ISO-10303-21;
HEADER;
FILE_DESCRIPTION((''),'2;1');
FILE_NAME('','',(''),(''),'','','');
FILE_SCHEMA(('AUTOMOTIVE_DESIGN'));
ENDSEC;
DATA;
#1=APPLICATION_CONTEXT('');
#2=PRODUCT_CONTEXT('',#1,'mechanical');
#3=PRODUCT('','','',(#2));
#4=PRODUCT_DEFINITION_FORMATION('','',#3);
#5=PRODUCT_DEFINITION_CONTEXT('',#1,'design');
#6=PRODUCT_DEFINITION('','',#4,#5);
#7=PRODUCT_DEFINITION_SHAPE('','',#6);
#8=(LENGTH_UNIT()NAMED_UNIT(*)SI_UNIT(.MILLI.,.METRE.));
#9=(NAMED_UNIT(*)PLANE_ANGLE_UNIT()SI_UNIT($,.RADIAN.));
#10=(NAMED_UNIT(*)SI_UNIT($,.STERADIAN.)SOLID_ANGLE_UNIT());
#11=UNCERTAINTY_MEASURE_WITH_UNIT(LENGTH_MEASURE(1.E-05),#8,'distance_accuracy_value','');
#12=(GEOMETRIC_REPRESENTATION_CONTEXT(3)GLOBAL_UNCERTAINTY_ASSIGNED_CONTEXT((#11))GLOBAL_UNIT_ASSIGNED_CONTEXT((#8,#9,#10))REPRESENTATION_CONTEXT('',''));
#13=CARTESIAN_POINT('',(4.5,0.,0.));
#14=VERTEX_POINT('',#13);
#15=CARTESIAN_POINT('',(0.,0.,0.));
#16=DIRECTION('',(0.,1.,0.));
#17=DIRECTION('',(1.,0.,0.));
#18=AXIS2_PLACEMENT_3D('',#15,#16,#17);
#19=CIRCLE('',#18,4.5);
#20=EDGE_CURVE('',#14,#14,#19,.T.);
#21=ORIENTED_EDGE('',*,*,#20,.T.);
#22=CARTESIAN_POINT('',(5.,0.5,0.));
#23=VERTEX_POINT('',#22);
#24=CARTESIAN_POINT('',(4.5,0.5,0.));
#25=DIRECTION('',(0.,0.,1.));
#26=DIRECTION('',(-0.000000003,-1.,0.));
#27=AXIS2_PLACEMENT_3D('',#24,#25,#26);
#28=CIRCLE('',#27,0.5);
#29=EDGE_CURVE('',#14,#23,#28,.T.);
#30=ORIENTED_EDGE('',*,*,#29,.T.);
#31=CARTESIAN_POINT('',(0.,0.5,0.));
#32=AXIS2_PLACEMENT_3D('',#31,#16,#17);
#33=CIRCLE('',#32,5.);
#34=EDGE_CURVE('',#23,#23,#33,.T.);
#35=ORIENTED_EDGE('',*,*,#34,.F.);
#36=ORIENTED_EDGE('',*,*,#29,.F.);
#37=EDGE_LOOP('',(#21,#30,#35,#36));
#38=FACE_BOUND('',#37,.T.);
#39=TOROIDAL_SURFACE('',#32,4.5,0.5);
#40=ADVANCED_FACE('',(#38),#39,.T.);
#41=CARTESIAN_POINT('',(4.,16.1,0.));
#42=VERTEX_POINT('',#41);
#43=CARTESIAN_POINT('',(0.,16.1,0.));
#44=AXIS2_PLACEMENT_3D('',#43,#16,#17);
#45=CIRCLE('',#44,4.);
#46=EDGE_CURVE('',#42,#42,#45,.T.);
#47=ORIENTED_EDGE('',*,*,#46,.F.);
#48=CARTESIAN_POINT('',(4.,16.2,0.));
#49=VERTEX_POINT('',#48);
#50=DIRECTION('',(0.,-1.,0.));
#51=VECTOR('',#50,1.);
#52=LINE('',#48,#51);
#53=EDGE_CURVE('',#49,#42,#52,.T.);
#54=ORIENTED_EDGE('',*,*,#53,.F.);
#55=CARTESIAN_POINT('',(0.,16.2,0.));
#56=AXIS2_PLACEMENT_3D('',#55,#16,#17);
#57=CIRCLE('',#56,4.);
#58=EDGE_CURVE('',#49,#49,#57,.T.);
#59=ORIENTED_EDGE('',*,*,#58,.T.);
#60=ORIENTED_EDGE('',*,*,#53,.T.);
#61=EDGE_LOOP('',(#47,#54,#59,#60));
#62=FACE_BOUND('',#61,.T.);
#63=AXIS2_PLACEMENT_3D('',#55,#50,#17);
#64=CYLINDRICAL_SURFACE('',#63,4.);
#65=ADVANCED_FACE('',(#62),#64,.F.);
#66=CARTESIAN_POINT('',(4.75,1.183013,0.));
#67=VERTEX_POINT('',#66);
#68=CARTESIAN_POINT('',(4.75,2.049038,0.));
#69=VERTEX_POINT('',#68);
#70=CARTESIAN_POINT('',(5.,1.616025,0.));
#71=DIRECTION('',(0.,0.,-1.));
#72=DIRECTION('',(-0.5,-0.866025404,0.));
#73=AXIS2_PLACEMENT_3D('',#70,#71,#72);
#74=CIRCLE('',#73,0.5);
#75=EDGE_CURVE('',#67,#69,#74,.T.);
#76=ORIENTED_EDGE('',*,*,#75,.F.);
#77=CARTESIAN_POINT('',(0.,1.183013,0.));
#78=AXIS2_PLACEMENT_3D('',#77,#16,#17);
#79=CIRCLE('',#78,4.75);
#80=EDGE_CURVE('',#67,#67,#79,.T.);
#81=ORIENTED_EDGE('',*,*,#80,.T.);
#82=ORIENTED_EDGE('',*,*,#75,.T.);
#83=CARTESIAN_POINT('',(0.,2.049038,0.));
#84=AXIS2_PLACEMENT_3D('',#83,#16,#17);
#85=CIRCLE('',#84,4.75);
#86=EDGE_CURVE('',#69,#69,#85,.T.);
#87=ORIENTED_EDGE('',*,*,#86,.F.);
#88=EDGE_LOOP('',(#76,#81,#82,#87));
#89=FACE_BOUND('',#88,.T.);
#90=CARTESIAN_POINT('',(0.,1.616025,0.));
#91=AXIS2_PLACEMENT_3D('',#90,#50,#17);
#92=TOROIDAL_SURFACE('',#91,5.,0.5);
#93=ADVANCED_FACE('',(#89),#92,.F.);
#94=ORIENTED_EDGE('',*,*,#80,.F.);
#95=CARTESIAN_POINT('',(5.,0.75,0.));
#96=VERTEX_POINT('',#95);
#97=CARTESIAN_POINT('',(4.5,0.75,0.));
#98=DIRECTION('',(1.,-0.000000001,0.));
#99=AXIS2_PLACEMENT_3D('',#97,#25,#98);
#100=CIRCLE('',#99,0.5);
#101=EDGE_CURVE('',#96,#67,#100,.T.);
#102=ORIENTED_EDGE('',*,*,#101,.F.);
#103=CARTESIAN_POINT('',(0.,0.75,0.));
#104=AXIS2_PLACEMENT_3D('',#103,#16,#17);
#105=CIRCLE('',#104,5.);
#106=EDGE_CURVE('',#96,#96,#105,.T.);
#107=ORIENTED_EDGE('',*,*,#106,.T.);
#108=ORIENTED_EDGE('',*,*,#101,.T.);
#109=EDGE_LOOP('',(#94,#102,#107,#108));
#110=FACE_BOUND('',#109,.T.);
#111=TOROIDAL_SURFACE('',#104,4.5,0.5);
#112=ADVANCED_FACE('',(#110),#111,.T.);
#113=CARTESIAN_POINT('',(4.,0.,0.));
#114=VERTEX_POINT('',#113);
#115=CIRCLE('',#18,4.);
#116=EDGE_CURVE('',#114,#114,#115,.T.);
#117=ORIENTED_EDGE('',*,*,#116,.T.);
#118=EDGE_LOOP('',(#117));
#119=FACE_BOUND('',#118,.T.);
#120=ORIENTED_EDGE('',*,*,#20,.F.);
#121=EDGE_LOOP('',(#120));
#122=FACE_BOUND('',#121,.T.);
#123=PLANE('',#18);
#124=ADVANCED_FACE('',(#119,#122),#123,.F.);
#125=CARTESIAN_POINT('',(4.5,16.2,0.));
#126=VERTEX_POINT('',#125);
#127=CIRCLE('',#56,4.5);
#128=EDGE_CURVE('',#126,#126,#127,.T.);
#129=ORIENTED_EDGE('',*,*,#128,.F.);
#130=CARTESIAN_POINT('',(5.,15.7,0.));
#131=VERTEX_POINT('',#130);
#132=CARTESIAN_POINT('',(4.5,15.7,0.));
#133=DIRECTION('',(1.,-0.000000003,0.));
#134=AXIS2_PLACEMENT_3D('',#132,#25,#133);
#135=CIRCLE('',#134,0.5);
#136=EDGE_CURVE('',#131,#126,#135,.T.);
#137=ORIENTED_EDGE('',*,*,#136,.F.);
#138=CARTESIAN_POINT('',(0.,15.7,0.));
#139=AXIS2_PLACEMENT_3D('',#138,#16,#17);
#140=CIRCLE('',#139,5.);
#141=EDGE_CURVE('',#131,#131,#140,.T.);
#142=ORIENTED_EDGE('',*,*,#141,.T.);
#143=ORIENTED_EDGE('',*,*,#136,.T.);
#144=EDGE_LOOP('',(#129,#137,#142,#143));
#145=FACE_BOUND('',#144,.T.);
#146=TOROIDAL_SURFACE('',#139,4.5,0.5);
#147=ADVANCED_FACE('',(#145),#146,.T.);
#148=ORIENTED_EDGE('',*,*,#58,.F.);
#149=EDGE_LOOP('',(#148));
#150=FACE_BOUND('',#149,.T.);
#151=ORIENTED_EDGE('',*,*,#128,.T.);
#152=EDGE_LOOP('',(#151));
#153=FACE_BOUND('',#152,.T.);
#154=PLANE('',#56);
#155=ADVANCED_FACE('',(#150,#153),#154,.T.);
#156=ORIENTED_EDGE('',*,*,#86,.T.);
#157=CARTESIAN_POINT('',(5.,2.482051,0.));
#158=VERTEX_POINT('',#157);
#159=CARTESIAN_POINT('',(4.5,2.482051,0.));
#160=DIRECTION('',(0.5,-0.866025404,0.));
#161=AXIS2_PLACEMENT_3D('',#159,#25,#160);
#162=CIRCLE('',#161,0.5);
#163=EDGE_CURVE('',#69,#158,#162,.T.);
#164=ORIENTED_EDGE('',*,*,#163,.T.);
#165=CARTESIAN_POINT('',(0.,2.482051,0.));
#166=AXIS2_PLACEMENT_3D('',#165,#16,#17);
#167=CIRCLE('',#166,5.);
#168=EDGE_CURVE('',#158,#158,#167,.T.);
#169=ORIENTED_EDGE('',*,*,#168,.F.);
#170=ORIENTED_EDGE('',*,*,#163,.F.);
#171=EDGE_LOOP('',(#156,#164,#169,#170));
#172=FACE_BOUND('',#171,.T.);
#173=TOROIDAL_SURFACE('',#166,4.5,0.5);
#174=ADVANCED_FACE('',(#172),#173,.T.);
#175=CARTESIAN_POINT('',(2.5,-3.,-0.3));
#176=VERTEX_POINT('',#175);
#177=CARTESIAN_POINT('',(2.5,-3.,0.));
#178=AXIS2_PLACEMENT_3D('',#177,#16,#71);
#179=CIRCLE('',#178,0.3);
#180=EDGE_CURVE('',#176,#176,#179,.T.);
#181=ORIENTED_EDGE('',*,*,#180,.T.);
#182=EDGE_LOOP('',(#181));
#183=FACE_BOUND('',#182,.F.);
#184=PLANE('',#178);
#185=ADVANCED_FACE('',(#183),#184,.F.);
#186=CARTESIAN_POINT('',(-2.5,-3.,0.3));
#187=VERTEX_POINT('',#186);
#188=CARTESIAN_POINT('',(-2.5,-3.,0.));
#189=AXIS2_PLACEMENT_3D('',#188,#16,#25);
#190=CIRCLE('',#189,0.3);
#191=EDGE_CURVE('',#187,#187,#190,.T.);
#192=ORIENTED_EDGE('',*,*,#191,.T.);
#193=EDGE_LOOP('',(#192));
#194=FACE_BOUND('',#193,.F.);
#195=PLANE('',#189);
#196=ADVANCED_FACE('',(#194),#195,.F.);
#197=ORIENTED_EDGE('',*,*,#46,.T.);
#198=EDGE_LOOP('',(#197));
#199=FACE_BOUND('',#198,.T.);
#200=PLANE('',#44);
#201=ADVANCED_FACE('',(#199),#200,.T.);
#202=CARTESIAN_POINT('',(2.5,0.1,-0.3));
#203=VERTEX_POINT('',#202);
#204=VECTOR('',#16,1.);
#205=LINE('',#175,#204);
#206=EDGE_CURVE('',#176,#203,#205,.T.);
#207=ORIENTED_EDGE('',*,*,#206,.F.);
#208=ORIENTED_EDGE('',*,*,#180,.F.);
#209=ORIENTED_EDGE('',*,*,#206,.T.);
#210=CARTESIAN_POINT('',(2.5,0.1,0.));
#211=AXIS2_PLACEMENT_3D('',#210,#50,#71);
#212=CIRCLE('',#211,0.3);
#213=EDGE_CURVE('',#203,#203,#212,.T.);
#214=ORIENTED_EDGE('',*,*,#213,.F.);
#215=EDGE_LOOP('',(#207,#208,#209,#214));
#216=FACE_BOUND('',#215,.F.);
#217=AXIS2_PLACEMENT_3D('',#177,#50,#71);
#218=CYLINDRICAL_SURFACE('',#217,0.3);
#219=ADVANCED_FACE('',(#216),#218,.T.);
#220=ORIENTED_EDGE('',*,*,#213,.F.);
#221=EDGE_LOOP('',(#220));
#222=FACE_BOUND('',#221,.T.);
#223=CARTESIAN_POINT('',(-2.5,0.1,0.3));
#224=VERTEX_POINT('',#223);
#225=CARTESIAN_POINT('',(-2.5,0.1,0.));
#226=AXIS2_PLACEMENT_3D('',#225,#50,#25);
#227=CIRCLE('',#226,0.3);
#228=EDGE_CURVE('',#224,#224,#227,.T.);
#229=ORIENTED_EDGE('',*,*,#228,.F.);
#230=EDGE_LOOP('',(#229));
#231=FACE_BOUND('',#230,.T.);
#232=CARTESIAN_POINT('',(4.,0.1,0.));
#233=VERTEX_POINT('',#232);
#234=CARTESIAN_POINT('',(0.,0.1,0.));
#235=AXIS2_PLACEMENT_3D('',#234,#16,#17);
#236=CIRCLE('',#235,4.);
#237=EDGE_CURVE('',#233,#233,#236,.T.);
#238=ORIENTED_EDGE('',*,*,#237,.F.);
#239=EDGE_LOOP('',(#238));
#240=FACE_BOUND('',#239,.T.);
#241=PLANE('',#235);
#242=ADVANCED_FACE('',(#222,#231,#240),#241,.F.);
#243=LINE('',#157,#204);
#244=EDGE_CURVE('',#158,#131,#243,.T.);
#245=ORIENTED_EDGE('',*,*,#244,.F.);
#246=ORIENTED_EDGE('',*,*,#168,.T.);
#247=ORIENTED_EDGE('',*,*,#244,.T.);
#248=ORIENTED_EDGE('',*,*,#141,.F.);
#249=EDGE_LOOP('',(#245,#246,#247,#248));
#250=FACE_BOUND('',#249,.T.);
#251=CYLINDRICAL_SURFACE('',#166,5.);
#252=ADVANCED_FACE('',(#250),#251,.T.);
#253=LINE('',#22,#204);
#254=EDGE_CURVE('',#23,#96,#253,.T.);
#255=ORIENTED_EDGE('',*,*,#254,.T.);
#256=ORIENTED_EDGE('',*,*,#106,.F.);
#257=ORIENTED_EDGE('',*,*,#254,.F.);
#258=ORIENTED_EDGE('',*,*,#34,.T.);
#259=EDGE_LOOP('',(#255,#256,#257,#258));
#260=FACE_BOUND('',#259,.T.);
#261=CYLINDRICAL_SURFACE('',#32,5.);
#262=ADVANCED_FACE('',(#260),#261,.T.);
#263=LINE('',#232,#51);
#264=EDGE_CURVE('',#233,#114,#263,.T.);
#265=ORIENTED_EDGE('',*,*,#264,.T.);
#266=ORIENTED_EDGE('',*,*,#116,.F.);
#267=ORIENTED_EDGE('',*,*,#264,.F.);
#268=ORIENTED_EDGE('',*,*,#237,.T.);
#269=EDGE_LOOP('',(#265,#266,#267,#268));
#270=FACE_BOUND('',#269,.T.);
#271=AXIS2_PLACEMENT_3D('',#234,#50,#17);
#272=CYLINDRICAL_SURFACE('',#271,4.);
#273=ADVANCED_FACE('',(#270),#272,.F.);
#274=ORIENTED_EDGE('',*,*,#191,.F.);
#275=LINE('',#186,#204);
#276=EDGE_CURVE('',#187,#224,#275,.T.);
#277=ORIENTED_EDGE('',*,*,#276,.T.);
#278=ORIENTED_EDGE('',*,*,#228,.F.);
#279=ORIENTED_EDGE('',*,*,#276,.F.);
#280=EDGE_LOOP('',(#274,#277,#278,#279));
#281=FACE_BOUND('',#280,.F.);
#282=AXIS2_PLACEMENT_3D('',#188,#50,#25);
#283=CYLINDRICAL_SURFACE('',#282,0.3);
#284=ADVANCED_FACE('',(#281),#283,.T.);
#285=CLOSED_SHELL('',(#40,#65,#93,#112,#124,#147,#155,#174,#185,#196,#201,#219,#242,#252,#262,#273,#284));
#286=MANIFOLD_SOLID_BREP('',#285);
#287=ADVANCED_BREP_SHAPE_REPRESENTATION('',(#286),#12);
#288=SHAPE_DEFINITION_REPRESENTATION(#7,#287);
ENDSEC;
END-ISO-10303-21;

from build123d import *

# Parameters (mm, degrees)
BOSS_EXTRUDE1_DEPTH        = 1
BOSS_EXTRUDE1_DEPTH_BACK   = 3
SKETCH1_R                  = 0.3
BOSS_EXTRUDE1_2_DEPTH      = 1
BOSS_EXTRUDE1_2_DEPTH_BACK = 3


with BuildPart() as part:
    # Sketch1 → Boss-Extrude1 (new, two sides: drawn at the far end of the back side and taken through both)
    with BuildSketch(Plane(origin=(0, 0, 0), x_dir=(1, 0, 0), z_dir=(0, 1, 0)).offset(-BOSS_EXTRUDE1_DEPTH_BACK)):
        with Locations(Location((-2.5, 0, 0), (0, 0, 270))):
            Circle(SKETCH1_R)
    extrude(amount=BOSS_EXTRUDE1_DEPTH + BOSS_EXTRUDE1_DEPTH_BACK)



with BuildPart() as body_2:
    # Sketch1 → Boss-Extrude1 2 (new, two sides: drawn at the far end of the back side and taken through both)
    with BuildSketch(Plane(origin=(0, 0, 0), x_dir=(1, 0, 0), z_dir=(0, 1, 0)).offset(-BOSS_EXTRUDE1_2_DEPTH_BACK)):
        with Locations(Location((2.5, 0, 0), (0, 0, 90))):
            Circle(SKETCH1_R)
    extrude(amount=BOSS_EXTRUDE1_2_DEPTH + BOSS_EXTRUDE1_2_DEPTH_BACK)


with BuildPart() as part_1:
    add(part.part)

    add(body_2.part)  # Revolve1 merges body 2
    # Sketch3 → Revolve1 (revolve)
    with BuildSketch(Plane.XY):
        with BuildLine():
            Line((5, 0.5), (5, 0.75))
            ThreePointArc((5, 0.75), (4.933012702, 1), (4.75, 1.183012702))
            ThreePointArc((4.75, 1.183012702), (4.5, 1.616025404), (4.75, 2.049038106))
            ThreePointArc((4.75, 2.049038106), (4.933012702, 2.232050808), (5, 2.482050808))
            Line((5, 2.482050808), (5, 15.7))
            ThreePointArc((5, 15.7), (4.853553391, 16.053553391), (4.5, 16.2))
            Line((4.5, 16.2), (4, 16.2))
            Line((4, 16.2), (4, 16.1))
            Line((4, 16.1), (0, 16.1))
            Line((0, 16.1), (0, 0.1))
            Line((0, 0.1), (4, 0.1))
            Line((4, 0.1), (4, 0))
            Line((4, 0), (4.5, 0))
            ThreePointArc((4.5, 0), (4.853553391, 0.146446609), (5, 0.5))
        make_face()
    revolve(axis=Axis((0, 0.1, 0), (0, 1, 0)))


solid = part_1.part
